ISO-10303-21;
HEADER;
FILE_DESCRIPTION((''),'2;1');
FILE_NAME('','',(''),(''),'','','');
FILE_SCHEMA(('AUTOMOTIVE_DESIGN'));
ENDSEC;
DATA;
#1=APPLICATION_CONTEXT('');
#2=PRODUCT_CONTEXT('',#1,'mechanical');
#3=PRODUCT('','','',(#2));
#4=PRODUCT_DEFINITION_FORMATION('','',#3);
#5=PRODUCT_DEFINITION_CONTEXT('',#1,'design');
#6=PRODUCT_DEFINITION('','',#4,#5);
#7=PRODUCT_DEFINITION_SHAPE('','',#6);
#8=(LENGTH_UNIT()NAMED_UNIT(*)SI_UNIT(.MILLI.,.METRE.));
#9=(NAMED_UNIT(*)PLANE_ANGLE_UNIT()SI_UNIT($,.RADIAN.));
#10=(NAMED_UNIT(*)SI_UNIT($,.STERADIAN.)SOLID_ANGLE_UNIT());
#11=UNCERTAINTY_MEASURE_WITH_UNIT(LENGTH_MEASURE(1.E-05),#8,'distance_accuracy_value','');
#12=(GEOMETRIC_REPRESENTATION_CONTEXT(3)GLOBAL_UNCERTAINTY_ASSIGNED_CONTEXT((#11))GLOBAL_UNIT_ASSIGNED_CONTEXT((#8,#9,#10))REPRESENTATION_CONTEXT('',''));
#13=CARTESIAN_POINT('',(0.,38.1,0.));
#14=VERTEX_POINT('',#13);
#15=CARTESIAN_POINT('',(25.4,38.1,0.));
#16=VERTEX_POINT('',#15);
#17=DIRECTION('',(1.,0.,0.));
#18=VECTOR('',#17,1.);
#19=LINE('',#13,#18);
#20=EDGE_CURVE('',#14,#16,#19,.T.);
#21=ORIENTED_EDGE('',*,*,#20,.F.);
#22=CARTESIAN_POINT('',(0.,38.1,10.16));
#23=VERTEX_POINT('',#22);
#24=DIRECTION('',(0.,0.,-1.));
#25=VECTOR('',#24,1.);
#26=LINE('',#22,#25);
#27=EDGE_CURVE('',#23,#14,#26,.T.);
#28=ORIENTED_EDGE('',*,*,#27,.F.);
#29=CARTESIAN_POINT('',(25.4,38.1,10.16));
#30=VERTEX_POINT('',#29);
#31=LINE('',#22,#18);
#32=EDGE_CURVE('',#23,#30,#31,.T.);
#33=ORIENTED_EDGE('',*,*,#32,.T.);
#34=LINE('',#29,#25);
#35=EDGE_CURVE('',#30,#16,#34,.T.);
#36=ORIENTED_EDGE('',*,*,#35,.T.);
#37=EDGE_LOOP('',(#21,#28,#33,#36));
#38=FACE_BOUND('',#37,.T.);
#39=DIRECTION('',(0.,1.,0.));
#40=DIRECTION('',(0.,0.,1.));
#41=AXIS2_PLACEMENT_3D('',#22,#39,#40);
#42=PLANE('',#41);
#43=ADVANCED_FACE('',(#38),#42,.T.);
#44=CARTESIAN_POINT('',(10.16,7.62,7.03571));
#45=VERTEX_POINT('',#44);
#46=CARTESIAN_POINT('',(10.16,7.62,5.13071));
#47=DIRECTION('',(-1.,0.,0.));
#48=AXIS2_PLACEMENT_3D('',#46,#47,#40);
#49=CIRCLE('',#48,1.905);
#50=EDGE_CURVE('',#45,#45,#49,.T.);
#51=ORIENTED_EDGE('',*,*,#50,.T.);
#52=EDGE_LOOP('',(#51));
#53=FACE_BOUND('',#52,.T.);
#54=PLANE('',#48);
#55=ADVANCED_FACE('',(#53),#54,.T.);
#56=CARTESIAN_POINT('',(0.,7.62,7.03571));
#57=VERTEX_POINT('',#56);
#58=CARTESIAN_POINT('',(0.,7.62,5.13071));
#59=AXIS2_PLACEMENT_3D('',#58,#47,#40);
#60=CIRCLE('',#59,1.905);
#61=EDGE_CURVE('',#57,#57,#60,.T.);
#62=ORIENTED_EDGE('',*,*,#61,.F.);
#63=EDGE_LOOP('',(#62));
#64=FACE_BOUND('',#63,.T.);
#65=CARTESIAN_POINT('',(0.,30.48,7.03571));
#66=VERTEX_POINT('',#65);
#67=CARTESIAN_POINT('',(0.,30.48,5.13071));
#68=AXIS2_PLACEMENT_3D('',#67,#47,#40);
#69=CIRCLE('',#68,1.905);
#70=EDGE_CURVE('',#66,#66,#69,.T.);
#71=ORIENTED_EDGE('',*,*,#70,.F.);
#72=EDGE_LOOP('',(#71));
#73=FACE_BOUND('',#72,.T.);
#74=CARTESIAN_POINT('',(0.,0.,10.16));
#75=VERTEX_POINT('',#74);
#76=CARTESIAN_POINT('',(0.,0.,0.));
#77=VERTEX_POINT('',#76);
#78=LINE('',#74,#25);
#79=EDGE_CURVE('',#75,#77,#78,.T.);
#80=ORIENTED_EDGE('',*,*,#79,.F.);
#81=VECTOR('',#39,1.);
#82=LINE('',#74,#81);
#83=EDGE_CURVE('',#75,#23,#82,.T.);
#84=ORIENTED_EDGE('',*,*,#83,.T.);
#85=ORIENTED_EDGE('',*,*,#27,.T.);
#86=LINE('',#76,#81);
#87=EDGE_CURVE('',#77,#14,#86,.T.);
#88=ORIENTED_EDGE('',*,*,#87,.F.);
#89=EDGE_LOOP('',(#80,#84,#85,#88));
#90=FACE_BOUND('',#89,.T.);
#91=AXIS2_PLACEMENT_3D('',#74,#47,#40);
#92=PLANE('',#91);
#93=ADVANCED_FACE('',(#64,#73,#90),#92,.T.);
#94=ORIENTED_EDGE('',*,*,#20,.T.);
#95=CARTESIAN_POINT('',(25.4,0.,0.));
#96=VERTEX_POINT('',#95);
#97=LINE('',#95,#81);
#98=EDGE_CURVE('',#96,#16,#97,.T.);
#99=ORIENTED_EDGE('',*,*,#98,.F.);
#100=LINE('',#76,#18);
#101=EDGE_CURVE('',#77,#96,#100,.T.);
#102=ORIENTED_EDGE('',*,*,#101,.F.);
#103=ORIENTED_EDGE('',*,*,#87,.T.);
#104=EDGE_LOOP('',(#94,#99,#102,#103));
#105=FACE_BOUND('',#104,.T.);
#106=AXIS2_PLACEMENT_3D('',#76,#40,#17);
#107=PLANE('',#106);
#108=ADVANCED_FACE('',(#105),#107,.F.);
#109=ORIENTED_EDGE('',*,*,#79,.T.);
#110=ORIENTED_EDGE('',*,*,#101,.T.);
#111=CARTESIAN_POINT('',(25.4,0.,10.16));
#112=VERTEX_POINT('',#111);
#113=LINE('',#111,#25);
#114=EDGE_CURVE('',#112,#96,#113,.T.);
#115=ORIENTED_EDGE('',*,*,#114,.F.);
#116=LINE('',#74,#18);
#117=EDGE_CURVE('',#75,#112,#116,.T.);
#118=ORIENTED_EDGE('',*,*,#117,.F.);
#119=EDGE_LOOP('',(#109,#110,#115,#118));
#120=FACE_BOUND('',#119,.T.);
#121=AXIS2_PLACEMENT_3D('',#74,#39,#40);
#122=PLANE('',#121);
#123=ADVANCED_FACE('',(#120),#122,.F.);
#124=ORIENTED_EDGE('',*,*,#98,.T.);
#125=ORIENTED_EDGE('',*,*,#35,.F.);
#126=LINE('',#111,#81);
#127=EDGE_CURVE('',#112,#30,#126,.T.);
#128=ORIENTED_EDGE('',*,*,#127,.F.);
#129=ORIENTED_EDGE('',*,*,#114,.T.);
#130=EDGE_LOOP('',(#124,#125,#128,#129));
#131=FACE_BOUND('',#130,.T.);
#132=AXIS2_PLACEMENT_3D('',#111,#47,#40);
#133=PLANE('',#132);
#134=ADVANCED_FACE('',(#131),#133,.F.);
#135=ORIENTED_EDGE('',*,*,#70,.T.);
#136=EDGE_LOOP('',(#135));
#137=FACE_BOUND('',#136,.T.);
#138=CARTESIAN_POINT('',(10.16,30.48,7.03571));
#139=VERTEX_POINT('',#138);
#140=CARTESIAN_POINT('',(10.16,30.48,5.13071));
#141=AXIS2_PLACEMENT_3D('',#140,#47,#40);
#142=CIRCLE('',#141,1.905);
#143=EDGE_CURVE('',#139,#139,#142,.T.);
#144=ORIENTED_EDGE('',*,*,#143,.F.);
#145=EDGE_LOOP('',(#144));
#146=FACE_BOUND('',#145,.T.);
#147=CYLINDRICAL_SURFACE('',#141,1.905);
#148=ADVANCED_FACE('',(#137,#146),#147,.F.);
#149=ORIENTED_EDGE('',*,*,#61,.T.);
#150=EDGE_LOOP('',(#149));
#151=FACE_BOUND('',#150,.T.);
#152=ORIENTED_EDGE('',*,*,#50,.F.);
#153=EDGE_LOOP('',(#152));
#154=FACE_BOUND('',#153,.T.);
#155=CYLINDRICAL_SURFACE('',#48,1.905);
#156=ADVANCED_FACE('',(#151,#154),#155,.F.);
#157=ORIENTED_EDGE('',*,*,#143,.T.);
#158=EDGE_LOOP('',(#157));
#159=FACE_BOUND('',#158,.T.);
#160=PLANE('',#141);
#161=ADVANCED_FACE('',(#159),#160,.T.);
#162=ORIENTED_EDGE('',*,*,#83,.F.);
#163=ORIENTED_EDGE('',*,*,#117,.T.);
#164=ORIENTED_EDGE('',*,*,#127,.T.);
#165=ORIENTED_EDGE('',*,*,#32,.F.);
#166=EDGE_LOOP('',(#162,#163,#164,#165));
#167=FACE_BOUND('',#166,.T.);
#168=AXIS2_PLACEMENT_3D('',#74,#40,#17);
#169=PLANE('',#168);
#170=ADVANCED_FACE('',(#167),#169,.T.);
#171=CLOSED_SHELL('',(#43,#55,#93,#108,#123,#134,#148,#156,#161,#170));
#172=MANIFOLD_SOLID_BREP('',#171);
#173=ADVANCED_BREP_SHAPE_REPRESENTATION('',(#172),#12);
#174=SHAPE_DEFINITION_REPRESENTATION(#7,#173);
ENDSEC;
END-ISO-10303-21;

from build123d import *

# Parameters (mm, degrees)
SKETCH1_W           = 25.4
SKETCH1_H           = 38.1
BOSS_EXTRUDE1_DEPTH = 10.16
SKETCH2_R           = 1.905
CUT_EXTRUDE1_DEPTH  = 10.16


with BuildPart() as part:
    # Sketch1 → Boss-Extrude1 (new body)
    with BuildSketch(Plane.XY):
        with Locations((12.7, 19.05)):
            Rectangle(SKETCH1_W, SKETCH1_H)
    extrude(amount=BOSS_EXTRUDE1_DEPTH)

    # Sketch2 → Cut-Extrude1 (cut)
    with BuildSketch(Plane.ZY):
        with Locations((5.130709773, 30.48)):
            Circle(SKETCH2_R)
        with Locations((5.130709773, 7.62)):
            Circle(SKETCH2_R)
    extrude(amount=-CUT_EXTRUDE1_DEPTH, mode=Mode.SUBTRACT)


solid = part.part
